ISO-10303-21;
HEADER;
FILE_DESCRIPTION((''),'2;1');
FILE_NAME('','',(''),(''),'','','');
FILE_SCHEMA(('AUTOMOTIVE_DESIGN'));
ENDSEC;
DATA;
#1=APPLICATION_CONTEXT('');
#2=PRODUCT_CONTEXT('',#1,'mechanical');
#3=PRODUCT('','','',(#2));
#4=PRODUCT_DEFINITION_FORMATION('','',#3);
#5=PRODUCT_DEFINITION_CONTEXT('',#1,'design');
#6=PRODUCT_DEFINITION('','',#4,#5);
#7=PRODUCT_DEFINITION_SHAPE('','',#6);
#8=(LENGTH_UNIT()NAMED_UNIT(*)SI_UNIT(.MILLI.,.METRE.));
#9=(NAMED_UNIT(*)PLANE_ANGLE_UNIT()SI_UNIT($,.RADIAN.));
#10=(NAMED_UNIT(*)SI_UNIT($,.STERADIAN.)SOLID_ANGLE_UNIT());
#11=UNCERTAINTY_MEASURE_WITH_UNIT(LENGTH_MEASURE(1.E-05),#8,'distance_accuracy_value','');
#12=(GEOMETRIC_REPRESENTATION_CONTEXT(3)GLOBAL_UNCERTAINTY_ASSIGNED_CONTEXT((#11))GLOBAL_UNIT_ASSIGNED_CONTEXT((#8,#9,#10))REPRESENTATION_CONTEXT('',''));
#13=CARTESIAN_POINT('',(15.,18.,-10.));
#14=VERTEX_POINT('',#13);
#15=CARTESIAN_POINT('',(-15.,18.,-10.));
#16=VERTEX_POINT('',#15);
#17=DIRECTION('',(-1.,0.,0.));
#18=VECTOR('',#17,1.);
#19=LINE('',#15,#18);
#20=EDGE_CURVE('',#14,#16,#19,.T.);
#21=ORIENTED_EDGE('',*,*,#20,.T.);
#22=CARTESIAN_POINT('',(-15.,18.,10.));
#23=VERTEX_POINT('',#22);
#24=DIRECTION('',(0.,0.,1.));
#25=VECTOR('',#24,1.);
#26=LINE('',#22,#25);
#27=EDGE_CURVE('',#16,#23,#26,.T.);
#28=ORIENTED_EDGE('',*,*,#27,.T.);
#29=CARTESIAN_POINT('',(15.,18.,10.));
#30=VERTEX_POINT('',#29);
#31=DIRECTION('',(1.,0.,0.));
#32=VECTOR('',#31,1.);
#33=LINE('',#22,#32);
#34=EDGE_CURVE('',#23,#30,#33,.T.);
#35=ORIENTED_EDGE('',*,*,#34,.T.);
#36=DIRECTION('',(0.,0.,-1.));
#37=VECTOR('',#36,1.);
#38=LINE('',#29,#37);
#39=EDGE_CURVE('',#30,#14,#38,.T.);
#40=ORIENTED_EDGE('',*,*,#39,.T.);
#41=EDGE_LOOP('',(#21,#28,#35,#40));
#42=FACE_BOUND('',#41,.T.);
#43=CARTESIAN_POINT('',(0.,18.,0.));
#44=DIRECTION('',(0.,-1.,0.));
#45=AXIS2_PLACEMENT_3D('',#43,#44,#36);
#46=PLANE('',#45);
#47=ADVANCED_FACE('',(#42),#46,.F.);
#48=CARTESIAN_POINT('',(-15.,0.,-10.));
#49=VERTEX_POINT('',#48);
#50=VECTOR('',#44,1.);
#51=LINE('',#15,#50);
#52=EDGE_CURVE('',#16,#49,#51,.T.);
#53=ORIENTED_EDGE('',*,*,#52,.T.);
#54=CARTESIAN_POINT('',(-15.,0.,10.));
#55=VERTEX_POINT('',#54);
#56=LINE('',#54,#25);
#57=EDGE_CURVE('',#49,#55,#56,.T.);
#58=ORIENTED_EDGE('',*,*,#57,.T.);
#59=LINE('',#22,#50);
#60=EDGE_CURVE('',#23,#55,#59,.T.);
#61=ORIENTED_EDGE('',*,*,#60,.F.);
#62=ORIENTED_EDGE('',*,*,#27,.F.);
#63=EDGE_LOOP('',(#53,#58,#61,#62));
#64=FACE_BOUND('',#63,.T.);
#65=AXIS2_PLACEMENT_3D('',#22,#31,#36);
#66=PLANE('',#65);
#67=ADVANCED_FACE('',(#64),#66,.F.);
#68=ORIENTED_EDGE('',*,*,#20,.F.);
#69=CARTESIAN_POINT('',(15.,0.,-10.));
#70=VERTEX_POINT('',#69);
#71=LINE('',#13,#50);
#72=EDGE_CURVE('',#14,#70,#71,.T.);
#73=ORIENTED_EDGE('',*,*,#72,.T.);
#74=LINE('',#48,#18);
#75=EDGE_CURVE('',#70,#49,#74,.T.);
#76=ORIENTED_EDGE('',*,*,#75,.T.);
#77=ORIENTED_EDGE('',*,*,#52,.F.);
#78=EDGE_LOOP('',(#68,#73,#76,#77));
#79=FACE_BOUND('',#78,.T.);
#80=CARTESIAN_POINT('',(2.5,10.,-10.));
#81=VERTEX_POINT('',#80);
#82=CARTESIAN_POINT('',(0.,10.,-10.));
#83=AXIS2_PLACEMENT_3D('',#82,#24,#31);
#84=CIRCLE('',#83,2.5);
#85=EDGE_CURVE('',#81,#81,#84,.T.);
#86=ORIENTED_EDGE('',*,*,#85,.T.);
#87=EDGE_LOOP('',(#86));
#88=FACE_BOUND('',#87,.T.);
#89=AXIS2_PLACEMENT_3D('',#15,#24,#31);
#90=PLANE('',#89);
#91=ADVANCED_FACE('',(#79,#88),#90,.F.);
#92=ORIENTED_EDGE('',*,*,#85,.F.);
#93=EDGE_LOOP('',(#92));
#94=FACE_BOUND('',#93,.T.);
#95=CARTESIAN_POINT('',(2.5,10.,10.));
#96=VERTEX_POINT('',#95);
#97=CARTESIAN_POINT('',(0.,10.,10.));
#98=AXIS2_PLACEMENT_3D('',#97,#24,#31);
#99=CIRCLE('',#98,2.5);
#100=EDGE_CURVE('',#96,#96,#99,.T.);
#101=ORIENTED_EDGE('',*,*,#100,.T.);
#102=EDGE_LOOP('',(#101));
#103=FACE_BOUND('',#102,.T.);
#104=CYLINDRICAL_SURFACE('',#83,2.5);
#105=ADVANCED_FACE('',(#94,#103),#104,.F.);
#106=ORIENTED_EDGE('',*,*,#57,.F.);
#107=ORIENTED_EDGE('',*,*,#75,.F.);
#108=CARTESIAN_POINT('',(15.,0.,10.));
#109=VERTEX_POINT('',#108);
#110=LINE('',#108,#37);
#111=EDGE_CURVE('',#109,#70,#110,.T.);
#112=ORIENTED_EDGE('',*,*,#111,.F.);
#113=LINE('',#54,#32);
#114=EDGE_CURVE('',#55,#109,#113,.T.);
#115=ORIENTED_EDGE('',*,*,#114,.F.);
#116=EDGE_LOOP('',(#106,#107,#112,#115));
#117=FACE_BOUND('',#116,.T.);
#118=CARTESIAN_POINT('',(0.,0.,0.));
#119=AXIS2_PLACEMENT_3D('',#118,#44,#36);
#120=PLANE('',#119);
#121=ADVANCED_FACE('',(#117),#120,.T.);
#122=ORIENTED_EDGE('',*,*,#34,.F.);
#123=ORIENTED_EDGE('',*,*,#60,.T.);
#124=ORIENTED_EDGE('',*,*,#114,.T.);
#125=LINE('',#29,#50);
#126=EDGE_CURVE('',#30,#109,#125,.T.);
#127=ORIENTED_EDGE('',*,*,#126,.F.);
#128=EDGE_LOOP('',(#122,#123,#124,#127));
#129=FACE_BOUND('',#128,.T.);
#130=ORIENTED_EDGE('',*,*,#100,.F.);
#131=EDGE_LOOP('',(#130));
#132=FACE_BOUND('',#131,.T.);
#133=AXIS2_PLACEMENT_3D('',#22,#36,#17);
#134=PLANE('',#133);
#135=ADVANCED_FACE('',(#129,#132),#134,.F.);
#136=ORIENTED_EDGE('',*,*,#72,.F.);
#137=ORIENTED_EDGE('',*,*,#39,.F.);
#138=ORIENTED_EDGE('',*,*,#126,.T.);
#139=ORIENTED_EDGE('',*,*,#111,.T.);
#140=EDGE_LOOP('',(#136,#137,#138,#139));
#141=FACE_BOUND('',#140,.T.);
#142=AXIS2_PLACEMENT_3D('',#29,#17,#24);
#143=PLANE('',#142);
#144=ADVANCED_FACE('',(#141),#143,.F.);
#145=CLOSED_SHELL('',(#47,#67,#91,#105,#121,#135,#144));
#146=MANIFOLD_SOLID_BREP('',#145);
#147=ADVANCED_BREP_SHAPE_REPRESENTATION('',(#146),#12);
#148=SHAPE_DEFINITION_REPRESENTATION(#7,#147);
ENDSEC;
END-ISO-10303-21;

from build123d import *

# Parameters (mm, degrees)
SKETCH1_W           = 30
SKETCH1_H           = 20
BOSS_EXTRUDE1_DEPTH = 18
SKETCH2_R           = 2.5
CUT_EXTRUDE1_DEPTH  = 31.805843601


with BuildPart() as part:
    # Sketch1 → Boss-Extrude1 (new body)
    with BuildSketch(Plane(origin=(0, 0, 0), x_dir=(1, 0, 0), z_dir=(0, 1, 0))):
        Rectangle(SKETCH1_W, SKETCH1_H)
    extrude(amount=BOSS_EXTRUDE1_DEPTH)

    # Sketch2 → Cut-Extrude1 (cut, through all)
    with BuildSketch(Plane.XY.offset(10)):
        with Locations((0, 10)):
            Circle(SKETCH2_R)
    extrude(amount=-CUT_EXTRUDE1_DEPTH, mode=Mode.SUBTRACT)


solid = part.part
